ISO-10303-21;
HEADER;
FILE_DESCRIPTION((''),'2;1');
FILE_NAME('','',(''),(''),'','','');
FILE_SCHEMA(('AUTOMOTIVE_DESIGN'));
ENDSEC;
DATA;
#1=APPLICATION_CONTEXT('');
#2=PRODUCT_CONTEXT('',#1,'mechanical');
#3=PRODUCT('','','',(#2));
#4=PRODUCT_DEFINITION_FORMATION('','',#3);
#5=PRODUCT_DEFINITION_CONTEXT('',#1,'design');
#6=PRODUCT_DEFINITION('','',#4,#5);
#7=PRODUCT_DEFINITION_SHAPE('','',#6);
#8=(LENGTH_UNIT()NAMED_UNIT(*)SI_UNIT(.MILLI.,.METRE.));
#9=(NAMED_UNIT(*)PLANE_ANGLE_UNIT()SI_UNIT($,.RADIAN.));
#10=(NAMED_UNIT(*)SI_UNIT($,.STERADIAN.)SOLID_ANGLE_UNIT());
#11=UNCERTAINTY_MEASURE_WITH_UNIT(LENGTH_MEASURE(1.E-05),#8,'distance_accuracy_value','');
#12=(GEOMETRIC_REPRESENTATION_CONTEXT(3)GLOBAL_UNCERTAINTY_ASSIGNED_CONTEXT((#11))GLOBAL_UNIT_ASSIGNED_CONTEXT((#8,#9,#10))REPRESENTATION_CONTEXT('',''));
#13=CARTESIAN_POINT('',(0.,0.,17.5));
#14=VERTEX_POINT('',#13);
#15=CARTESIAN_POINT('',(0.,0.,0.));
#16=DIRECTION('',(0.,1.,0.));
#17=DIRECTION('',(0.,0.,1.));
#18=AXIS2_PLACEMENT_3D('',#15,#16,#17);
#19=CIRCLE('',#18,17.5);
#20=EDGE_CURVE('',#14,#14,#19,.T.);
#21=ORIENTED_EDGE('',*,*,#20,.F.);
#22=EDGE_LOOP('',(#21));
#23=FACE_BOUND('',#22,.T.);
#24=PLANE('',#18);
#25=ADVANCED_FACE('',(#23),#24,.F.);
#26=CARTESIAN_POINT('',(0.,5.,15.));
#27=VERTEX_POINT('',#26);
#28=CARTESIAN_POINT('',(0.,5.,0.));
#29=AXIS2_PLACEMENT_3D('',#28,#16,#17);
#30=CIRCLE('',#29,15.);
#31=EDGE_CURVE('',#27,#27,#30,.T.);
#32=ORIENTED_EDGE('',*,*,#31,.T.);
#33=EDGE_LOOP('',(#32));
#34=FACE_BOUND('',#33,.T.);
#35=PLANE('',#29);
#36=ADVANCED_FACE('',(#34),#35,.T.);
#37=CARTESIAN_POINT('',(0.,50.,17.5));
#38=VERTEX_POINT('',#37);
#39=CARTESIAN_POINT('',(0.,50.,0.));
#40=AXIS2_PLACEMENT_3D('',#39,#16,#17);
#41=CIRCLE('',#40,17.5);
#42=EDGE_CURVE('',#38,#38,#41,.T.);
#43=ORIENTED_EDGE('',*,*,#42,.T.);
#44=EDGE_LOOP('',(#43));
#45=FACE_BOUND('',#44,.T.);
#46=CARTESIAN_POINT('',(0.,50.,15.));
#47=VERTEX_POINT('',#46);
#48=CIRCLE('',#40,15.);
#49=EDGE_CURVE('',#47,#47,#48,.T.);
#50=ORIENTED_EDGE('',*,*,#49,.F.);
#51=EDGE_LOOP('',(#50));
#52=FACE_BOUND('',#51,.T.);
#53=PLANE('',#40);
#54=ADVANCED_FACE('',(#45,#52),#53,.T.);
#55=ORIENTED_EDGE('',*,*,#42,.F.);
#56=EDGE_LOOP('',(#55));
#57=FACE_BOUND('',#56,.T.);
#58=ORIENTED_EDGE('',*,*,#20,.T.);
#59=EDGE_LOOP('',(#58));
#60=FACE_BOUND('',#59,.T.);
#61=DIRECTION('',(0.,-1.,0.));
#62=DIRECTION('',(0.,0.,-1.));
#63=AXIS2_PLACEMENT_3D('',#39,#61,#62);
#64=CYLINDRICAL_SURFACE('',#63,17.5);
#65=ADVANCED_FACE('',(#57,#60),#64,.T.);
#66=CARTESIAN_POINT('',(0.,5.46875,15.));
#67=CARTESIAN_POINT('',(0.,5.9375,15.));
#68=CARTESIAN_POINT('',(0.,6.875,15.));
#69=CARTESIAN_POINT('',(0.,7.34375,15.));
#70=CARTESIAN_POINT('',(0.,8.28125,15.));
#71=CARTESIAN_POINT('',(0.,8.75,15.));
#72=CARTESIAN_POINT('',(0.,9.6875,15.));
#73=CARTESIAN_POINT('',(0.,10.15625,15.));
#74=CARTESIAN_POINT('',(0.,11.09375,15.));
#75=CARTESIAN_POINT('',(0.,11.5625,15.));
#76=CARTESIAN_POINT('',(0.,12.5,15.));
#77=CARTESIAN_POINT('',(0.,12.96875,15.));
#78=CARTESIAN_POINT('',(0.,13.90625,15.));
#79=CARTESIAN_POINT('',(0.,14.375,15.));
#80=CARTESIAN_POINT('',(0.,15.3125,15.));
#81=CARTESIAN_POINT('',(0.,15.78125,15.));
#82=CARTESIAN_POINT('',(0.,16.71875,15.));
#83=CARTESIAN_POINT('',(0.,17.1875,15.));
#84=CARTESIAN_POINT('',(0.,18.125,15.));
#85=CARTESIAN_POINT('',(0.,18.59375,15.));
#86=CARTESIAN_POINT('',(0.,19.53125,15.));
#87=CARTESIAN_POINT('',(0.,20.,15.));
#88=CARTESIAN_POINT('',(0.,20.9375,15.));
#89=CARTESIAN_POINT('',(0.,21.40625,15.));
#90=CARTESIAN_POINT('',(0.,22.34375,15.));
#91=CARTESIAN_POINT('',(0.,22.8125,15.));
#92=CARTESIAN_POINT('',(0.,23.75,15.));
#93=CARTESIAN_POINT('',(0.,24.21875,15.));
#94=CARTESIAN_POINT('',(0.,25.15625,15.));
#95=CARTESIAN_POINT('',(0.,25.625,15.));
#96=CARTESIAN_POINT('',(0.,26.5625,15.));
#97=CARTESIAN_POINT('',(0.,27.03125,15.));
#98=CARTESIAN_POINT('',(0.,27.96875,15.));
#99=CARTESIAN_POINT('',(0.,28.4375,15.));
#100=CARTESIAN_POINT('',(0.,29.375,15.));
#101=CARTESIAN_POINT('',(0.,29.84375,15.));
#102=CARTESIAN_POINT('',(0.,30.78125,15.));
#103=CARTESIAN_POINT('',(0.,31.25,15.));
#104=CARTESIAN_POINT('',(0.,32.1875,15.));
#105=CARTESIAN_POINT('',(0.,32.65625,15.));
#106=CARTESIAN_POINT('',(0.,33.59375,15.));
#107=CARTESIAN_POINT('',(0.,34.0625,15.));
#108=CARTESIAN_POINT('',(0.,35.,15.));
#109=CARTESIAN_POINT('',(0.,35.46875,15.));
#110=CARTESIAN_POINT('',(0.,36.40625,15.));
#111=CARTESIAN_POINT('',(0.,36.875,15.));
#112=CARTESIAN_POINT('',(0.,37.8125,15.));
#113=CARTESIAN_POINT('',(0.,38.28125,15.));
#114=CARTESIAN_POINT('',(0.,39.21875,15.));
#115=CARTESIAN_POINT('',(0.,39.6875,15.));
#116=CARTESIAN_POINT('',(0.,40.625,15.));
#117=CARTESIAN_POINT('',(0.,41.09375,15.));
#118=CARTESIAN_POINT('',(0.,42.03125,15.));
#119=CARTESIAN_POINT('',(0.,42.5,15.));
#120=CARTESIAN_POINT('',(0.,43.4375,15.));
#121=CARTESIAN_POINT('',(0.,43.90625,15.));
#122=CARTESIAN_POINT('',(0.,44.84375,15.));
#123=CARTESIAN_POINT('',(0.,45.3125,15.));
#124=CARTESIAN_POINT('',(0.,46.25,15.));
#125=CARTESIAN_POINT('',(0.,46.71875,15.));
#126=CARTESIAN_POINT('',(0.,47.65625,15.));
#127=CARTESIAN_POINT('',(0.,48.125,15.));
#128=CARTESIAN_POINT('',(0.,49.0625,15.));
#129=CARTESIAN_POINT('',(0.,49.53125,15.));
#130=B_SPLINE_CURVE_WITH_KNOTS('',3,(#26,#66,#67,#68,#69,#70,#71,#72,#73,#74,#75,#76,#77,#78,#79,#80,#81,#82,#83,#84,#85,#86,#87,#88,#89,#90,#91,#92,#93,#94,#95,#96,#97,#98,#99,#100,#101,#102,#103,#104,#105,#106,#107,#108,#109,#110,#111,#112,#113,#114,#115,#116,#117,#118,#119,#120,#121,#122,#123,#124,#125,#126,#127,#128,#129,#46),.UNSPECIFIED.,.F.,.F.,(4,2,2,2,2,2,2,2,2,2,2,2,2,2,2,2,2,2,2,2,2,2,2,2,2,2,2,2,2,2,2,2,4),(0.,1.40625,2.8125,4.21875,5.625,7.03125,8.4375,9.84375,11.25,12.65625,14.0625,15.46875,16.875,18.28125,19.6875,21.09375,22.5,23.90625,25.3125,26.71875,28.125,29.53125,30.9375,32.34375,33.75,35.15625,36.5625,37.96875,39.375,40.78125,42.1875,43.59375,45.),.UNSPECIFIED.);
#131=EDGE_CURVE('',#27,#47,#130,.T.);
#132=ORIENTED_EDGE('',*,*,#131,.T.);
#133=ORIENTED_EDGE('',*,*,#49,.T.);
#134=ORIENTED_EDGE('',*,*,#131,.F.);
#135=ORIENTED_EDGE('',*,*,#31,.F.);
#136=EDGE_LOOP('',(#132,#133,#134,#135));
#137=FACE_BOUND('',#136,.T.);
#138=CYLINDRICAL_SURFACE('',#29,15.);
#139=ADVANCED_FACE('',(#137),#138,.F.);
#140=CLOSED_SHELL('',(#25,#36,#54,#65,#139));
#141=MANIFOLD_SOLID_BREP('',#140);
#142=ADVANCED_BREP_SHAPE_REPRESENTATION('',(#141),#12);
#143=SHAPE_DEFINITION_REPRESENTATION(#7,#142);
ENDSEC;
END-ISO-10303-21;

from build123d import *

# Parameters (mm, degrees)
ESQUISSE1_R             = 17.5
BOSS_EXTRU_1_DEPTH      = 50
ESQUISSE2_R             = 15
ENL_V_MAT_EXTRU_1_DEPTH = 45


with BuildPart() as part:
    # Esquisse1 → Boss.-Extru.1 (new body)
    with BuildSketch(Plane(origin=(0, 0, 0), x_dir=(1, 0, 0), z_dir=(0, 1, 0))):
        with Locations(Location((0, 0, 0), (0, 0, 270))):
            Circle(ESQUISSE1_R)
    extrude(amount=BOSS_EXTRU_1_DEPTH)

    # Esquisse2 → Enlèv. mat.-Extru.1 (cut)
    with BuildSketch(Plane(origin=(0, 50, 0), x_dir=(1, 0, 0), z_dir=(0, 1, 0))):
        with Locations(Location((0, 0, 0), (0, 0, 270))):
            Circle(ESQUISSE2_R)
    extrude(amount=-ENL_V_MAT_EXTRU_1_DEPTH, mode=Mode.SUBTRACT)


solid = part.part
